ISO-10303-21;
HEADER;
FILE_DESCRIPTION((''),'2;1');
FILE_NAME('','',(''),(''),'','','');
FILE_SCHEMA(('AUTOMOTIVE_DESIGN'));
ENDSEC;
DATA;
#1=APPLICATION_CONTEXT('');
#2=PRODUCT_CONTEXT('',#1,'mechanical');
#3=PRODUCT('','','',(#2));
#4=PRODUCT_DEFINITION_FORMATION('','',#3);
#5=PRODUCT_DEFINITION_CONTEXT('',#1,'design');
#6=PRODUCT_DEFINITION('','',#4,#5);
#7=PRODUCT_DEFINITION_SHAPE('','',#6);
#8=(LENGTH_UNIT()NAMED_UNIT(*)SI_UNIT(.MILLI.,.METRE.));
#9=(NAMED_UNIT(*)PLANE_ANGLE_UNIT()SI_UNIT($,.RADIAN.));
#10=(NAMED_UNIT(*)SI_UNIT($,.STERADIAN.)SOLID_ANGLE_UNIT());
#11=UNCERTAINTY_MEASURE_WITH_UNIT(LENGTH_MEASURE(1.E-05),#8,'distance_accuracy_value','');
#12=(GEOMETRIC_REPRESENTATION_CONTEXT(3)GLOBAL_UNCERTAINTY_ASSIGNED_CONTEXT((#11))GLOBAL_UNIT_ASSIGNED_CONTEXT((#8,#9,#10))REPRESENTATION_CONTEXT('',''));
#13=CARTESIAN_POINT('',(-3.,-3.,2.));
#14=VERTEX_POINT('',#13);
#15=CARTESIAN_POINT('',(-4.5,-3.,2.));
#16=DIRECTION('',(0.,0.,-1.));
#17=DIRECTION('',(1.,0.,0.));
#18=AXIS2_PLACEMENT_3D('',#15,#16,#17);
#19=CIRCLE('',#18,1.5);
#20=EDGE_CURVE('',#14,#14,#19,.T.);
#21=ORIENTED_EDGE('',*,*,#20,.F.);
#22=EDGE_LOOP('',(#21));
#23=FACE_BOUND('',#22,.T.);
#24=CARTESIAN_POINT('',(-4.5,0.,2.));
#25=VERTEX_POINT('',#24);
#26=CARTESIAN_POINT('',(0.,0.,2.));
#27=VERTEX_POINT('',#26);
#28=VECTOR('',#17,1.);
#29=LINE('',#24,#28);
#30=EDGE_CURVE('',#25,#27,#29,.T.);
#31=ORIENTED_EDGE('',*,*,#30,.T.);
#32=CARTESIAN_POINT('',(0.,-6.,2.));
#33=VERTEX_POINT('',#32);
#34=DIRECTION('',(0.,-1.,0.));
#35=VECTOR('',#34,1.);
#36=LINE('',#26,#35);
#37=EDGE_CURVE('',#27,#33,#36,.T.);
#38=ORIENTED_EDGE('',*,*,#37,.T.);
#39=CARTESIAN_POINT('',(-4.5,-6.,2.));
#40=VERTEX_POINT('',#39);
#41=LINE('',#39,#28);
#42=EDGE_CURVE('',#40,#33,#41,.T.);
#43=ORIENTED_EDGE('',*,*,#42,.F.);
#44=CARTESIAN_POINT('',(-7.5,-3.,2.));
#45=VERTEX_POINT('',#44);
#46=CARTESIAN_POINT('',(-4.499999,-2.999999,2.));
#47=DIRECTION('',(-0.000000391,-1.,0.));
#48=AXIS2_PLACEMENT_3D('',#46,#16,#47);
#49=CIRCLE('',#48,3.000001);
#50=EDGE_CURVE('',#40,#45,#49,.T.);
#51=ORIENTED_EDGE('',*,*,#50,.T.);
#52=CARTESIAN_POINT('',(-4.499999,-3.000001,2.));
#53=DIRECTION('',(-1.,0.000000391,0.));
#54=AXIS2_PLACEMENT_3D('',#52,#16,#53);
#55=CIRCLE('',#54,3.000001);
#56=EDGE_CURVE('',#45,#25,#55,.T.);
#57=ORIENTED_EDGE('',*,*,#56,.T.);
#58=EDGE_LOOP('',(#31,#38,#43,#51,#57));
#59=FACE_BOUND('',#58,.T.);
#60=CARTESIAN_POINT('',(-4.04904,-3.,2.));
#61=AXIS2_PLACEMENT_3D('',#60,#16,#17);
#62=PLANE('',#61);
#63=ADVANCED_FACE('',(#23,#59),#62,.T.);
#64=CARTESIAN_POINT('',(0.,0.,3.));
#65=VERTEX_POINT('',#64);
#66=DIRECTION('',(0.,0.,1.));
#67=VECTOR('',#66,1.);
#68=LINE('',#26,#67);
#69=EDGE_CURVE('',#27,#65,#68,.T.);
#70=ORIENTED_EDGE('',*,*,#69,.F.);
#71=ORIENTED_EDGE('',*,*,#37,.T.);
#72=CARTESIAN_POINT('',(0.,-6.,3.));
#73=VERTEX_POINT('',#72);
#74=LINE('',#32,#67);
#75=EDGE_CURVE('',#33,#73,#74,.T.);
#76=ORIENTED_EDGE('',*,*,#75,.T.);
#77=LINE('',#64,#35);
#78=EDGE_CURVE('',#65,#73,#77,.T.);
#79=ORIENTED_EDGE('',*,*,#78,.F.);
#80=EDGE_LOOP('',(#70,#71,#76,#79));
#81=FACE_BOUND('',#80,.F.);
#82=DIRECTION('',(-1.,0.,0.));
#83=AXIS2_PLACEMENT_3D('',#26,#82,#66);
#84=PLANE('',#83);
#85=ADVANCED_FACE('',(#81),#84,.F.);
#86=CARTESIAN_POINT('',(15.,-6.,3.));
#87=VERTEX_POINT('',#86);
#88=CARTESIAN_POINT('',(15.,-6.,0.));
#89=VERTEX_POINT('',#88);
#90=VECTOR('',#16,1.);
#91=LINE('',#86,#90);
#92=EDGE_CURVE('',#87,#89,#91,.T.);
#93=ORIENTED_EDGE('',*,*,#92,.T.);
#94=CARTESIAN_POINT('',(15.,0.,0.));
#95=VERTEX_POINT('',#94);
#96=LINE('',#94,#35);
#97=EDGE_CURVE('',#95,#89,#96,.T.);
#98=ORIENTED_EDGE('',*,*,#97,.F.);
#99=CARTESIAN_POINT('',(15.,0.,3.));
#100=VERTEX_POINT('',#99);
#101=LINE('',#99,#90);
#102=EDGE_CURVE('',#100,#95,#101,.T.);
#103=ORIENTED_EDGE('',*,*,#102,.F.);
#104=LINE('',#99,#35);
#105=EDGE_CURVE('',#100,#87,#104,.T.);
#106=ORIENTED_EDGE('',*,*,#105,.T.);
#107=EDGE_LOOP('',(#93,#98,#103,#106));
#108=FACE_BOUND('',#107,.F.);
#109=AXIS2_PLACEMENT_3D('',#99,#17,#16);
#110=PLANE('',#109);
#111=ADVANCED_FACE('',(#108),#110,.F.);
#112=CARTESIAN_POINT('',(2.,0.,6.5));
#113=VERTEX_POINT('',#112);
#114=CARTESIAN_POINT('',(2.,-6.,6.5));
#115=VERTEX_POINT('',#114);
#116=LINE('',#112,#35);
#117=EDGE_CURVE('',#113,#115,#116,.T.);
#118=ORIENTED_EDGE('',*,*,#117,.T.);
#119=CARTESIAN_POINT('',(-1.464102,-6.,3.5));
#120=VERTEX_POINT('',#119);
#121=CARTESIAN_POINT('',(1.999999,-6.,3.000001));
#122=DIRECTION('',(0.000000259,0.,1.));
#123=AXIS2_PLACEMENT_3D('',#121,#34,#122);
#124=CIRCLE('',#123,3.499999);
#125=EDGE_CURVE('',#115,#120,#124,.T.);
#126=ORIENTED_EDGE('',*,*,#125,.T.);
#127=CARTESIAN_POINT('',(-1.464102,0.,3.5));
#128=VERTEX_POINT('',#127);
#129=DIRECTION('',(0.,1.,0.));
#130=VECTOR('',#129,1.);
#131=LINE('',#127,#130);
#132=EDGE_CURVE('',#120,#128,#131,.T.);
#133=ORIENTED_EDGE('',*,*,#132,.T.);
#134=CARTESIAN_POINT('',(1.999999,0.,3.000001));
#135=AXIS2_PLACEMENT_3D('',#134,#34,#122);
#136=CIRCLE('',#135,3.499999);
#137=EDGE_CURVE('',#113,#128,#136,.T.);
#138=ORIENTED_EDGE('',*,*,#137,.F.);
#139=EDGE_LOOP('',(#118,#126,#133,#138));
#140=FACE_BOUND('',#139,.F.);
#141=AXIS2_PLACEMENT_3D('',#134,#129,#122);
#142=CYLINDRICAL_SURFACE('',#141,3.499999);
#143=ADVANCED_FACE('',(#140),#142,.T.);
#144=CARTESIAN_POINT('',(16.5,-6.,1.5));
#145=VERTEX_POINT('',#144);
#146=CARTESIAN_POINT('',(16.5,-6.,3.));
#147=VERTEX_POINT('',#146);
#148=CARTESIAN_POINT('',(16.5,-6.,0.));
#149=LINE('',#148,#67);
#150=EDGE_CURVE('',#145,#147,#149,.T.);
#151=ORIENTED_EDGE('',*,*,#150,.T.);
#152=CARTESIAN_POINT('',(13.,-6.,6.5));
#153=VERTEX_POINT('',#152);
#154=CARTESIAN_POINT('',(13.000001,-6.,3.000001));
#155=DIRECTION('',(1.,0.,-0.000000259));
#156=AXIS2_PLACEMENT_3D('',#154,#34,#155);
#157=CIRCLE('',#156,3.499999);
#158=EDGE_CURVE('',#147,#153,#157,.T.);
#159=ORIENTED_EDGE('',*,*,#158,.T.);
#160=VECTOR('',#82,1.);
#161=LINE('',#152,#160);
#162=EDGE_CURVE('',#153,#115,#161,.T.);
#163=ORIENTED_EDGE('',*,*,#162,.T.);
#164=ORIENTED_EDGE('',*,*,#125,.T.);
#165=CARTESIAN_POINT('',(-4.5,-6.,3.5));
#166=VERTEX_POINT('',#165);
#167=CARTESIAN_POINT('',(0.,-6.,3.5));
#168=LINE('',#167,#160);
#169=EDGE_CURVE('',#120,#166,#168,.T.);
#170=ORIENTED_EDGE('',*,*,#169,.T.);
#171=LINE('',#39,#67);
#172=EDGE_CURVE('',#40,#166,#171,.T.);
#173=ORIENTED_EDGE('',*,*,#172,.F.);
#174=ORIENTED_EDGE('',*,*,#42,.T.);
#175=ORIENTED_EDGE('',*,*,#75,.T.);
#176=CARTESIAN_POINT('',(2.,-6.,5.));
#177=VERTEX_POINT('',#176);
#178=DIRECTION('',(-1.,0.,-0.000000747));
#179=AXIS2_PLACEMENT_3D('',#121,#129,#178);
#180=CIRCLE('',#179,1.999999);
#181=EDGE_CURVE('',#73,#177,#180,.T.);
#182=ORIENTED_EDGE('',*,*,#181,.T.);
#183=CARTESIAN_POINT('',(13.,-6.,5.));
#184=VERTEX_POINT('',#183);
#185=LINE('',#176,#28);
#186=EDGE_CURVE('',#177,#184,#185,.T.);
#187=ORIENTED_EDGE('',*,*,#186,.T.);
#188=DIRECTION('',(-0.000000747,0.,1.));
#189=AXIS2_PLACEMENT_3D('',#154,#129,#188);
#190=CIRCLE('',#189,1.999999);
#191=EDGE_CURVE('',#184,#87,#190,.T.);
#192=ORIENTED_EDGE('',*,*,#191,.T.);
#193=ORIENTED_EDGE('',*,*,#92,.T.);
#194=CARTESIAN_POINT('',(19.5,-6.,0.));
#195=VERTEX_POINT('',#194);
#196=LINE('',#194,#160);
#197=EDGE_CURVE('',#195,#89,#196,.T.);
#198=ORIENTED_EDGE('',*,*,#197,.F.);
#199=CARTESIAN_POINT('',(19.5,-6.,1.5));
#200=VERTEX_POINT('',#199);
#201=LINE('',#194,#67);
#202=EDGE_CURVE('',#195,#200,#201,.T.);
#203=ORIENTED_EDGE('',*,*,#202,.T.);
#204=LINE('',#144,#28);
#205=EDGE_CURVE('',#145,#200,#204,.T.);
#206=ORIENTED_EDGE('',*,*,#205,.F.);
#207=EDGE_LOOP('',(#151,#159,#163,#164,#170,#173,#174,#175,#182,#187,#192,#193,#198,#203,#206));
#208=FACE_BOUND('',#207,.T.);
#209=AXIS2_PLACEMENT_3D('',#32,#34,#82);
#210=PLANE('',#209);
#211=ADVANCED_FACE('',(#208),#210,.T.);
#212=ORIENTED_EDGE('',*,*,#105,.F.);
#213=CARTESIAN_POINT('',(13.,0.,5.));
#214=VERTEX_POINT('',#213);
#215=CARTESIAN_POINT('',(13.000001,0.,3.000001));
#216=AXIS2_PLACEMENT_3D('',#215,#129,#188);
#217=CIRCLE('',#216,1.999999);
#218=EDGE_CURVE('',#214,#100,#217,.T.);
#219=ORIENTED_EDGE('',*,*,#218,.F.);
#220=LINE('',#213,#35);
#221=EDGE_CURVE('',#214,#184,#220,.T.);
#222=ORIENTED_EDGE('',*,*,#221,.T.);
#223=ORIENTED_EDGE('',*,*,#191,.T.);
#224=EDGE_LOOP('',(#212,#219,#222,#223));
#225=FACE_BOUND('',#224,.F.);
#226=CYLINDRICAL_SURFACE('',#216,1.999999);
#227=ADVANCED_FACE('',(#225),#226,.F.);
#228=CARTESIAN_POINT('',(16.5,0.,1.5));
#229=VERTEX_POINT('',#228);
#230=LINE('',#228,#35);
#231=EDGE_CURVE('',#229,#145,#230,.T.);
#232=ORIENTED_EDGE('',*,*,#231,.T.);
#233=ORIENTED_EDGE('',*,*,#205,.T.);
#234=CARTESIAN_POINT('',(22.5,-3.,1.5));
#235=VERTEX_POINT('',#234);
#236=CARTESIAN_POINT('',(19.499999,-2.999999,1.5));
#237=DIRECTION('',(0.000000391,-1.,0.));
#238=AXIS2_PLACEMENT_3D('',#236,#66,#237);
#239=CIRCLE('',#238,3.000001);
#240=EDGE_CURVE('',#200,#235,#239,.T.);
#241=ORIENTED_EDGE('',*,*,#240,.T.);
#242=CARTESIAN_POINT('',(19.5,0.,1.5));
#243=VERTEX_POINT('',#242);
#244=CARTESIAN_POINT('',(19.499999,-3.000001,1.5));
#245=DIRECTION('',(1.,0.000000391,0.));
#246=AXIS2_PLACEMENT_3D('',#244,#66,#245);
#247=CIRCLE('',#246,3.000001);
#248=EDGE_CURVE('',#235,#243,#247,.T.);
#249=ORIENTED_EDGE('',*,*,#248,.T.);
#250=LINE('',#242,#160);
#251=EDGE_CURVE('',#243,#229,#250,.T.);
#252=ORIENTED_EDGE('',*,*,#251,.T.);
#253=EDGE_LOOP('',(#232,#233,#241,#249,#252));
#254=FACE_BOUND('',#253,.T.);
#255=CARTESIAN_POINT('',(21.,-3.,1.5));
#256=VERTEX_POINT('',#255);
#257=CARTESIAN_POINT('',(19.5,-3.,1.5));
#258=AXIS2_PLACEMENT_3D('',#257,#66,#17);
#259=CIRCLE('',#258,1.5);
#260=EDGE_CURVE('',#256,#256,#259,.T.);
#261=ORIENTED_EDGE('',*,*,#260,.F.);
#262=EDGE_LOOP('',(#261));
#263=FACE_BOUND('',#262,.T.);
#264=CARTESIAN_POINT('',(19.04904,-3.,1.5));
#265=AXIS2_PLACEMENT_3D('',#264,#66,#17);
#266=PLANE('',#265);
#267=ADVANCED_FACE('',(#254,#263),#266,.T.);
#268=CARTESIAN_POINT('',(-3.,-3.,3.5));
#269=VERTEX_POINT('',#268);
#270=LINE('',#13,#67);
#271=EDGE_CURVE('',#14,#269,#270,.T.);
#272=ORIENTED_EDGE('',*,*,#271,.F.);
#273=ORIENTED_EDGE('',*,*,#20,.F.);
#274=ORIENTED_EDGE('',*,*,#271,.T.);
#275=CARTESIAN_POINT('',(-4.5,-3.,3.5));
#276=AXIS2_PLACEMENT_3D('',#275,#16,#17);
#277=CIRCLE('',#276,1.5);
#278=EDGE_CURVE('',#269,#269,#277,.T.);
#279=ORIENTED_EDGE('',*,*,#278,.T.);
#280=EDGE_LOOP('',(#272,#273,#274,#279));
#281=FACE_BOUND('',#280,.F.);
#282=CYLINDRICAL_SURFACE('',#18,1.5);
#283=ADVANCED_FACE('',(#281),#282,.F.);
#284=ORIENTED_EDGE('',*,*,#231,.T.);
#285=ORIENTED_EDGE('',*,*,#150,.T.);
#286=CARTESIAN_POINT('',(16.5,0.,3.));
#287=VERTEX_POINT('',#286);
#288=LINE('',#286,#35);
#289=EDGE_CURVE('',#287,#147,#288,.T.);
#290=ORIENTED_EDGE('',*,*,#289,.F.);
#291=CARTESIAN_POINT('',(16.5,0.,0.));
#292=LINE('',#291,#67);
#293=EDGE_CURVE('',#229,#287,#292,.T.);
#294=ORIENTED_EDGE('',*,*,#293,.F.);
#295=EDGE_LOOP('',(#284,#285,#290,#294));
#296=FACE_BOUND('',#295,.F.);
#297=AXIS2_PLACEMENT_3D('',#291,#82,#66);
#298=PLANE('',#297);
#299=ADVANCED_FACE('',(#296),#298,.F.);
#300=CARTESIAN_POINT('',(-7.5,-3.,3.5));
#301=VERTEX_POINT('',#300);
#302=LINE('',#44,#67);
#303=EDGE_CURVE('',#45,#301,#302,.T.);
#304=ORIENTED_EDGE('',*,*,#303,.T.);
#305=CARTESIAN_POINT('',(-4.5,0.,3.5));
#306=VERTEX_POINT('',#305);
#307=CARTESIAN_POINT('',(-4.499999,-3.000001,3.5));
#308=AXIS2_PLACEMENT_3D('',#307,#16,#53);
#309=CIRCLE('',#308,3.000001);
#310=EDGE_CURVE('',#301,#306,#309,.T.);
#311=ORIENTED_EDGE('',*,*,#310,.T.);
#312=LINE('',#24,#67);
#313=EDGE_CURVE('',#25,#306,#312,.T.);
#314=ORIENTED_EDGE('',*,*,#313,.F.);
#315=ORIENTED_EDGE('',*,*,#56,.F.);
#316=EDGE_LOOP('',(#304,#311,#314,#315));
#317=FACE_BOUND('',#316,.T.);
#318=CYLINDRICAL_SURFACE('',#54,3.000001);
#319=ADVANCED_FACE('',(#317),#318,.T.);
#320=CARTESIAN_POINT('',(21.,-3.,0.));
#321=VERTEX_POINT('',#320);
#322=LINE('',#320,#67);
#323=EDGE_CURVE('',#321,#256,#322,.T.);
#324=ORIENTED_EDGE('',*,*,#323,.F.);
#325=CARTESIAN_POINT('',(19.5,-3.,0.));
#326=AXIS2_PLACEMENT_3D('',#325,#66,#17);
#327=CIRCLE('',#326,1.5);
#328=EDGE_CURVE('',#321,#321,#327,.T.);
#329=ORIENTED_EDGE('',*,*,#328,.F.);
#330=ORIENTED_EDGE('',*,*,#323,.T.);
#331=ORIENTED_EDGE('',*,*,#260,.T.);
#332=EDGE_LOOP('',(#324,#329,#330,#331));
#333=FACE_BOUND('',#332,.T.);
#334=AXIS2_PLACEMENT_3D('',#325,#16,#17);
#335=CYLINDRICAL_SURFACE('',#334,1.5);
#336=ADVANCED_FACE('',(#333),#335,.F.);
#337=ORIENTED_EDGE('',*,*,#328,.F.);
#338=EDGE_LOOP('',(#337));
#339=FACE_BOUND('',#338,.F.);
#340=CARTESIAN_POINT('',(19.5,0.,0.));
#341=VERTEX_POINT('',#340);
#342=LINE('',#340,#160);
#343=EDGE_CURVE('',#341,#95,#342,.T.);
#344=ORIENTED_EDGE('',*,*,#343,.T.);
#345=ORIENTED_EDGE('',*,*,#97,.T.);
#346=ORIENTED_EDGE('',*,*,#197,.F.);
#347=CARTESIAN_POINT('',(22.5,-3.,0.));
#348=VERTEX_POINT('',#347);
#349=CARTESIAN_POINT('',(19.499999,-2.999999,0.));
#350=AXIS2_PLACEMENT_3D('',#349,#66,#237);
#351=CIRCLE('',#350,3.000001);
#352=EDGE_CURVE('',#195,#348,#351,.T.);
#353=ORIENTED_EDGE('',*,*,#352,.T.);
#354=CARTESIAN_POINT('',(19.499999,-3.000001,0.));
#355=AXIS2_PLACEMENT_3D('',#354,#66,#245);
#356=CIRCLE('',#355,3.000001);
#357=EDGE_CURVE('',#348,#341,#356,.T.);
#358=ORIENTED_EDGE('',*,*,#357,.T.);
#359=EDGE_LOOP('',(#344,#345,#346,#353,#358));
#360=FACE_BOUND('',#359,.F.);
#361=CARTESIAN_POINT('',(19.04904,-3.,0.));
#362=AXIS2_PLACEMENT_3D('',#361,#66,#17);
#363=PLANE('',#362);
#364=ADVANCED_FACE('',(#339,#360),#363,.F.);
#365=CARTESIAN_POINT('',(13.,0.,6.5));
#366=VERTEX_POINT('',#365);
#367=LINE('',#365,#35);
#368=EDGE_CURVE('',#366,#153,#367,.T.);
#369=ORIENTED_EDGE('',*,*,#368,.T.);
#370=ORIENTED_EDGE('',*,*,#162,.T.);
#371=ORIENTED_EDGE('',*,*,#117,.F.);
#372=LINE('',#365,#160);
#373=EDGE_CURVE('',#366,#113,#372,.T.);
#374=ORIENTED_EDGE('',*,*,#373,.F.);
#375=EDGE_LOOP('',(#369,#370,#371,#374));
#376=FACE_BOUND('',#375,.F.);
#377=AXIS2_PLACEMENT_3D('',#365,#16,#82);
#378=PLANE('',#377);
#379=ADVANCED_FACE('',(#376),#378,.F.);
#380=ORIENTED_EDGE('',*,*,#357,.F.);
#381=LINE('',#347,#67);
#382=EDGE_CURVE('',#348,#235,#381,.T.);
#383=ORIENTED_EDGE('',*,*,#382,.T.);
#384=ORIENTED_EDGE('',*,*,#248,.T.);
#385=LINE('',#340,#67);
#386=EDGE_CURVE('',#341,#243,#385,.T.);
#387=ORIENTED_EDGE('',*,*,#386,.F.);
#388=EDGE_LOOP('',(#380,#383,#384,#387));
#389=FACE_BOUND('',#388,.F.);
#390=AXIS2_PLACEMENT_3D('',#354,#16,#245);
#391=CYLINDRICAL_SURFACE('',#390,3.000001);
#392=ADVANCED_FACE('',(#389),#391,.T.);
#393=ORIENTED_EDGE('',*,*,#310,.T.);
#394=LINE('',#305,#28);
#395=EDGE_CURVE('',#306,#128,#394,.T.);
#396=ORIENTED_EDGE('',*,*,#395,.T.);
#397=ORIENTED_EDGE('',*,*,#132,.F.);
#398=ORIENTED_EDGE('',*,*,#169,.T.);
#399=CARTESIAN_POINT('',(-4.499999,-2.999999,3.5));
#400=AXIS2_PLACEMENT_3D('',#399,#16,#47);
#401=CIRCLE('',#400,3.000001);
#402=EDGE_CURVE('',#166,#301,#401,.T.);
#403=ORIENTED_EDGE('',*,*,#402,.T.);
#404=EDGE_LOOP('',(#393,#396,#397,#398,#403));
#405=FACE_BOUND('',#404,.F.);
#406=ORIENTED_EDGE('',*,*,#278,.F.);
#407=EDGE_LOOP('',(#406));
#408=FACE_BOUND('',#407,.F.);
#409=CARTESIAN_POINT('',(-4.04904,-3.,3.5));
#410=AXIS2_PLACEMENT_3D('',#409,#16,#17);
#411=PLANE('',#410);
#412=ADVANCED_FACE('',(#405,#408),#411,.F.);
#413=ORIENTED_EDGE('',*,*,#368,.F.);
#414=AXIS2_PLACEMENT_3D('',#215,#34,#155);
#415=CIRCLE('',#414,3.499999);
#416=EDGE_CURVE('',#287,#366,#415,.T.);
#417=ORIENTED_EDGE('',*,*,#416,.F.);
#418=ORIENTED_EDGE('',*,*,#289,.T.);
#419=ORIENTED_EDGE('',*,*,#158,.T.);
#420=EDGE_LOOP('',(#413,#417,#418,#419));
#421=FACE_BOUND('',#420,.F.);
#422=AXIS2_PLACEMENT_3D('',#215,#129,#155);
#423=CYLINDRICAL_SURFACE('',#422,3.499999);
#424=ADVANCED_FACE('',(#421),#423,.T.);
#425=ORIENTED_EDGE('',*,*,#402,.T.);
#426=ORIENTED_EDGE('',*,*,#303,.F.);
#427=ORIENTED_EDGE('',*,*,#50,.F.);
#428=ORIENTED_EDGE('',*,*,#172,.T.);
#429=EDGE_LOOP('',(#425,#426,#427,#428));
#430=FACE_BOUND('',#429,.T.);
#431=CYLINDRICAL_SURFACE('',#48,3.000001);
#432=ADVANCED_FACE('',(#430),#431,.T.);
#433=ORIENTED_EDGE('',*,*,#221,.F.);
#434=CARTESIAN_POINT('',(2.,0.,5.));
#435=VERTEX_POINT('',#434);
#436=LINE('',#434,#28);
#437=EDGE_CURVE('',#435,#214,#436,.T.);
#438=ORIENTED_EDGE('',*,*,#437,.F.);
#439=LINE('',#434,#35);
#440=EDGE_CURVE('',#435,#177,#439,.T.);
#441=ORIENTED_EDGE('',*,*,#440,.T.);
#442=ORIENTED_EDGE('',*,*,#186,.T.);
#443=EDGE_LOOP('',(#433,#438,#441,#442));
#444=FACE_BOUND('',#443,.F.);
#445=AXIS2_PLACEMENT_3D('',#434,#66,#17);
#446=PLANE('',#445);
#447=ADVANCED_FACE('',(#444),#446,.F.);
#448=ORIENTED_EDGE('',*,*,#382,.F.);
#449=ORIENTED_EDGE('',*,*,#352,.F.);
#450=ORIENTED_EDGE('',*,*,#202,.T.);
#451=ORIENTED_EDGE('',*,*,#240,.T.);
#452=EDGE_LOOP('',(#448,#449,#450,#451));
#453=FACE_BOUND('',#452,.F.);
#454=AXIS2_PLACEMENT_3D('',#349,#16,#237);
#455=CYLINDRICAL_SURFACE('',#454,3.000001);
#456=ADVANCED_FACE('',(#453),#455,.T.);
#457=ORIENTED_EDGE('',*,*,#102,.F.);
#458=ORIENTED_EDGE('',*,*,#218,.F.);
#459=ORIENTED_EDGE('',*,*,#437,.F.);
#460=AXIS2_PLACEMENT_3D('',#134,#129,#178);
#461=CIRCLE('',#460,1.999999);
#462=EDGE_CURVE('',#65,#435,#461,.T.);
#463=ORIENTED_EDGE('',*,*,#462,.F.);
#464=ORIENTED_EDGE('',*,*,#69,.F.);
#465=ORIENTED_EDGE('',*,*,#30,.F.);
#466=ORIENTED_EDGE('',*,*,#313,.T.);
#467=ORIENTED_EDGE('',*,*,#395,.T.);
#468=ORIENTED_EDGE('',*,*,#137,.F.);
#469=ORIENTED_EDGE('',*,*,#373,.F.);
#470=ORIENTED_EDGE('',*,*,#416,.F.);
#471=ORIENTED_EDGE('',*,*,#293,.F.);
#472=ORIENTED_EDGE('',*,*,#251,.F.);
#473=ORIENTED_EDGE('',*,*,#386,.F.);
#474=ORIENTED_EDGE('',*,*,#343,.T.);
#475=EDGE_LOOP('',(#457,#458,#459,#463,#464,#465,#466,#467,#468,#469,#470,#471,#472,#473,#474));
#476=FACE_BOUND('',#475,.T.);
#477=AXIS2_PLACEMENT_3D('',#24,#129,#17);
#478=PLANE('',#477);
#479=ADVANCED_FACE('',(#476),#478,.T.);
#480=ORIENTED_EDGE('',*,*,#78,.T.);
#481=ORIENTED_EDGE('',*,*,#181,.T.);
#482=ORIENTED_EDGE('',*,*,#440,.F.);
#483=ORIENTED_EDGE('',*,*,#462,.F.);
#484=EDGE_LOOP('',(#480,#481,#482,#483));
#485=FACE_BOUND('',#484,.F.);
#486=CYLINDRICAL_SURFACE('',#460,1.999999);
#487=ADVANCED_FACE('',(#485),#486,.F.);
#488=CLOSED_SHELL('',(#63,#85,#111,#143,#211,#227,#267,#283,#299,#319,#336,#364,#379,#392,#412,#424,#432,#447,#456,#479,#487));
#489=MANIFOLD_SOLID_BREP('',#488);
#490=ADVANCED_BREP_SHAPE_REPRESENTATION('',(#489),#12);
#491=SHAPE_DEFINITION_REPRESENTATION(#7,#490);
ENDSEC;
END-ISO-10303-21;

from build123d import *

# Parameters (mm, degrees)
F1_DEPTH = 6
F2_R     = 1.5
F3_DEPTH = 1.5
F4_R     = 1.5
F4_W     = 1.5
F4_H     = 6
F5_DEPTH = 1.5


with BuildPart() as f1:
    # F0 (on Front) → F1 (new body)
    with BuildSketch(Plane.XZ):
        with BuildLine():
            Line((15, 3), (15, 0))
            Line((15, 0), (16.5, 0))
            Line((16.5, 0), (16.5, 3))
            ThreePointArc((16.5, 3), (15.474874, 5.474874), (13, 6.5))
            Line((13, 6.5), (2, 6.5))
            ThreePointArc((2, 6.5), (-0.474874, 5.474874), (-1.5, 3))
            Line((-1.5, 3), (-1.5, 2))
            Line((-1.5, 2), (0, 2))
            Line((0, 2), (0, 3))
            ThreePointArc((0, 3), (0.585786, 4.414214), (2, 5))
            Line((2, 5), (13, 5))
            ThreePointArc((13, 5), (14.414214, 4.414214), (15, 3))
        make_face()
    extrude(amount=F1_DEPTH)

    # F2 (on Top) → F3 (join)
    with BuildSketch(Plane.XY):
        with BuildLine():
            Line((16.5, 0), (16.5, -6))
            Line((16.5, -6), (19.5, -6))
            ThreePointArc((19.5, -6), (21.62132, -5.12132), (22.5, -3))
            ThreePointArc((22.5, -3), (21.62132, -0.87868), (19.5, 0))
            Line((19.5, 0), (16.5, 0))
        make_face()
        with Locations((19.5, -3)):
            Circle(F2_R, mode=Mode.SUBTRACT)
    extrude(amount=F3_DEPTH)

    # F4 (on face) → F5 (join)
    with BuildSketch(Plane(origin=(0, 0, 2), x_dir=(1, 0, 0), z_dir=(0, 0, -1))):
        with BuildLine():
            Line((-1.5, 6), (-4.5, 6))
            ThreePointArc((-4.5, 6), (-6.62132, 5.12132), (-7.5, 3))
            ThreePointArc((-7.5, 3), (-6.62132, 0.87868), (-4.5, 0))
            Line((-4.5, 0), (-1.5, 0))
            Line((-1.5, 0), (-1.5, 6))
        make_face()
        with Locations((-4.5, 3)):
            Circle(F4_R, mode=Mode.SUBTRACT)
        with Locations((-0.75, 3)):
            Rectangle(F4_W, F4_H)
    extrude(amount=-F5_DEPTH)


solid = f1.part
